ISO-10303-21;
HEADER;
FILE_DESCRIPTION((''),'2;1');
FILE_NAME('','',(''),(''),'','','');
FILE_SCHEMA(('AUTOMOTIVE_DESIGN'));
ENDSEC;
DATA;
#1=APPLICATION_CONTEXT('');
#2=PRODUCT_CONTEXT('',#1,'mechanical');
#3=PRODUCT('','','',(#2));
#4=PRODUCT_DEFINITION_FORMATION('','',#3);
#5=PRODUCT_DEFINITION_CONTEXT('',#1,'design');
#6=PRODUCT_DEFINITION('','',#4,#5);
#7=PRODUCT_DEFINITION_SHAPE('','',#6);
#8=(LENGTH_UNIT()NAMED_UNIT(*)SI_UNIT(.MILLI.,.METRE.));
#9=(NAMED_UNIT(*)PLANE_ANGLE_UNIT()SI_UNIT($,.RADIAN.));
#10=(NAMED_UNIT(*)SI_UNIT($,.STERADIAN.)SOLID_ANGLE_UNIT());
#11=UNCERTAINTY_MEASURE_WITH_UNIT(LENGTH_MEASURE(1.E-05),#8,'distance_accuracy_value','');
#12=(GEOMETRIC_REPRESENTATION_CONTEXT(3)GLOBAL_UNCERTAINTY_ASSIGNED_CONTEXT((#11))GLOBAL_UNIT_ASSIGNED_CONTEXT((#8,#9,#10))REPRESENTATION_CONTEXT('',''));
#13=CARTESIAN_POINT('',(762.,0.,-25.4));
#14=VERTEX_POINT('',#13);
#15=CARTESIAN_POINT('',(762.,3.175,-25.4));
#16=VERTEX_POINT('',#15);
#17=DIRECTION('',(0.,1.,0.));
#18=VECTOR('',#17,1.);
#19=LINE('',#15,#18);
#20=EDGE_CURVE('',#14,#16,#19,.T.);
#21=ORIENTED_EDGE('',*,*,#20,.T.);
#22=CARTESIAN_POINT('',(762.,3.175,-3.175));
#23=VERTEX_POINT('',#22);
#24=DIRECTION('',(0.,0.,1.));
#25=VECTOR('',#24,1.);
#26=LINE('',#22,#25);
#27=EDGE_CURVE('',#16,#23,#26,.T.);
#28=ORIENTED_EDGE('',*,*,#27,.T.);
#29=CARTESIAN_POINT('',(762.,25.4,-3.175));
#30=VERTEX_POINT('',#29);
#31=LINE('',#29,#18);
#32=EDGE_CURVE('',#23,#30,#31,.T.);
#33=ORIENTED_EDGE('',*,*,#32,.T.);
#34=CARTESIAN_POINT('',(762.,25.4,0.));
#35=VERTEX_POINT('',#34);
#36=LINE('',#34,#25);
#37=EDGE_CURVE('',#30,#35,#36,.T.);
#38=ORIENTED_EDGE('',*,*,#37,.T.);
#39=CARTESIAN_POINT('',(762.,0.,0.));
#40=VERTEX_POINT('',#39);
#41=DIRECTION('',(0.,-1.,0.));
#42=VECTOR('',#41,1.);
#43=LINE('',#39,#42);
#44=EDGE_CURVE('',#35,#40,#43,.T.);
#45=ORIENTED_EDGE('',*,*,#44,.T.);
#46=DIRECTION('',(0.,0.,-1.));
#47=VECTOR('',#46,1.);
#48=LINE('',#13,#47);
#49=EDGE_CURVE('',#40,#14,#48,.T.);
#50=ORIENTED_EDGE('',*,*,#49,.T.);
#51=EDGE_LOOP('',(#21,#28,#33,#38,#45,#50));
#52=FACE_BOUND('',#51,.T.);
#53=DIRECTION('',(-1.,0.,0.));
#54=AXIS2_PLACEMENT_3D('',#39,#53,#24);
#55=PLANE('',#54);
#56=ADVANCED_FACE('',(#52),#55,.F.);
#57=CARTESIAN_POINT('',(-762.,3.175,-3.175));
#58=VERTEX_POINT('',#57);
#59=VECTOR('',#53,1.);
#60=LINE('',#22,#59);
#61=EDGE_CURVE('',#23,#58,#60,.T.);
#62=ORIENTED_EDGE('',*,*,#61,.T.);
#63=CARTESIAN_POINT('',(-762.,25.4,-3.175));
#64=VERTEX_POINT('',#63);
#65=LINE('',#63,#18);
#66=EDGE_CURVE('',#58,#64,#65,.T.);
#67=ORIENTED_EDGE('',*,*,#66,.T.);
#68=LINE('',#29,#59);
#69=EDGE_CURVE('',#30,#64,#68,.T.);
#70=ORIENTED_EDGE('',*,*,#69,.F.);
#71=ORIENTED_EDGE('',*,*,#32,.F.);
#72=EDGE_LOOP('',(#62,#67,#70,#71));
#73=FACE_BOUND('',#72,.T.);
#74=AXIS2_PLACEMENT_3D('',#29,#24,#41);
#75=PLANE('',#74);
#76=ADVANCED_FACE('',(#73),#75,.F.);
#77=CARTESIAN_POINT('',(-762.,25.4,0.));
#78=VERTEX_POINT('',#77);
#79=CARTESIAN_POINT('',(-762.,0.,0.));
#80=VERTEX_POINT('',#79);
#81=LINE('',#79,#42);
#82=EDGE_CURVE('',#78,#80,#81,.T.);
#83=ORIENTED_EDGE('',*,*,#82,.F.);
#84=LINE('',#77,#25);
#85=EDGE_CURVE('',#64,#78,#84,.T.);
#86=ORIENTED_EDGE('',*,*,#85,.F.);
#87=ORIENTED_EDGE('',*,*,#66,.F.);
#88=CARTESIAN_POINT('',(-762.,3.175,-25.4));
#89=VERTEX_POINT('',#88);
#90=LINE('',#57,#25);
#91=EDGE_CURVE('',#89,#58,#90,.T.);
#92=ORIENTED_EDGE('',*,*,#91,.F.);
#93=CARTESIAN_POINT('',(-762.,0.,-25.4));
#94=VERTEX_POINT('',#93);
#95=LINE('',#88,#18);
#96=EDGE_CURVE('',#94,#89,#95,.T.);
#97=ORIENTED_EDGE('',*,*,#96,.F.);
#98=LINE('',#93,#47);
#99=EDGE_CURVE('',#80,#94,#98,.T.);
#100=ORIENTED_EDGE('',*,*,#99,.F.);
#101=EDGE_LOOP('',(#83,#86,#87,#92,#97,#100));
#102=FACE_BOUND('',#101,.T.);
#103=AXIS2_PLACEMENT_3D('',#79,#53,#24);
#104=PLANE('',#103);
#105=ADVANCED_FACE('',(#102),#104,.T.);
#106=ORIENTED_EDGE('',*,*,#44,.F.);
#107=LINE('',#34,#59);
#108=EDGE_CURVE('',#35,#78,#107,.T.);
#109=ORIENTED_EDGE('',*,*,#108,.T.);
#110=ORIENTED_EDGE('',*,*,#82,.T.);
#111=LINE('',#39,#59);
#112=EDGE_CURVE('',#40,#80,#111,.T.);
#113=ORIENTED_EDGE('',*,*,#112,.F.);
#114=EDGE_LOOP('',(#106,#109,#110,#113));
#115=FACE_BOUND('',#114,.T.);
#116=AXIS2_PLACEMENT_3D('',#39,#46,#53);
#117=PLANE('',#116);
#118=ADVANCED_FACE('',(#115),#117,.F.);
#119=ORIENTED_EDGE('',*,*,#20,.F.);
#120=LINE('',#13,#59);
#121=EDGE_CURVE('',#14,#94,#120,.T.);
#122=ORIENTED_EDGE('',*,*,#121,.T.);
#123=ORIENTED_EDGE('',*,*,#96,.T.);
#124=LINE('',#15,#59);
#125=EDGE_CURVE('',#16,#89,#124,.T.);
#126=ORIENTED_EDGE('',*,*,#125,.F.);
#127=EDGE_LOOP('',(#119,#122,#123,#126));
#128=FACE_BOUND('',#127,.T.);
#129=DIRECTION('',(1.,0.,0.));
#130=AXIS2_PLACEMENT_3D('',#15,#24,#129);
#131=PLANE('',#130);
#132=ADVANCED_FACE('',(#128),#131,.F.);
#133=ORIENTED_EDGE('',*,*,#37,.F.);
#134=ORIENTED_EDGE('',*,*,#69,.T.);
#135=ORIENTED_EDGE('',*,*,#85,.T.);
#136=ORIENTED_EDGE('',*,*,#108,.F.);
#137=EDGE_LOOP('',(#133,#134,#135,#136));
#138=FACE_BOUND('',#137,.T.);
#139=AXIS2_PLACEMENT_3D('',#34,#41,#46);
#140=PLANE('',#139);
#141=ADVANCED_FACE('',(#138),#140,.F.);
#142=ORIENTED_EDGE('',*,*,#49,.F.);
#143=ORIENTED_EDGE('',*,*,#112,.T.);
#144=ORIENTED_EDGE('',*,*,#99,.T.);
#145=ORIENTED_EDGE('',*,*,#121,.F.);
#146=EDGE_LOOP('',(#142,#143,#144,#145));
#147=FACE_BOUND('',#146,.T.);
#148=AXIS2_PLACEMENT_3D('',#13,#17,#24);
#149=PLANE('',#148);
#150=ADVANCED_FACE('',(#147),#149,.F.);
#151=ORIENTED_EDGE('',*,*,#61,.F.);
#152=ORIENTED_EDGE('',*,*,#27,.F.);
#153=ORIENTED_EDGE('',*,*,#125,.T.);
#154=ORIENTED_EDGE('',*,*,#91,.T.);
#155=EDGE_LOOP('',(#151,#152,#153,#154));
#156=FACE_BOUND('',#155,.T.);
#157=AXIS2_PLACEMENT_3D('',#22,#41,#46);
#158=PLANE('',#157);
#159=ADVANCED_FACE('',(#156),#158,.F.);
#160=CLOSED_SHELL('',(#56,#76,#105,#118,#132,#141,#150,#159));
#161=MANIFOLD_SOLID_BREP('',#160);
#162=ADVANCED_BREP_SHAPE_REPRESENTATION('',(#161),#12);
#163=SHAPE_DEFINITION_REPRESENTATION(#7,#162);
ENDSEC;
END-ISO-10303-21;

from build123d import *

# Parameters (mm, degrees)
BOSS_EXTRUDE2_DEPTH = 762


with BuildPart() as part:
    # Sketch2 → Boss-Extrude2 (new body, symmetric)
    with BuildSketch(Plane(origin=(0, 0, 0), x_dir=(0, 0, -1), z_dir=(1, 0, 0))):
        Polygon((0, 0), (0, 25.4), (3.175, 25.4), (3.175, 3.175), (25.4, 3.175), (25.4, 0), align=None)
    extrude(amount=BOSS_EXTRUDE2_DEPTH, both=True)


solid = part.part
